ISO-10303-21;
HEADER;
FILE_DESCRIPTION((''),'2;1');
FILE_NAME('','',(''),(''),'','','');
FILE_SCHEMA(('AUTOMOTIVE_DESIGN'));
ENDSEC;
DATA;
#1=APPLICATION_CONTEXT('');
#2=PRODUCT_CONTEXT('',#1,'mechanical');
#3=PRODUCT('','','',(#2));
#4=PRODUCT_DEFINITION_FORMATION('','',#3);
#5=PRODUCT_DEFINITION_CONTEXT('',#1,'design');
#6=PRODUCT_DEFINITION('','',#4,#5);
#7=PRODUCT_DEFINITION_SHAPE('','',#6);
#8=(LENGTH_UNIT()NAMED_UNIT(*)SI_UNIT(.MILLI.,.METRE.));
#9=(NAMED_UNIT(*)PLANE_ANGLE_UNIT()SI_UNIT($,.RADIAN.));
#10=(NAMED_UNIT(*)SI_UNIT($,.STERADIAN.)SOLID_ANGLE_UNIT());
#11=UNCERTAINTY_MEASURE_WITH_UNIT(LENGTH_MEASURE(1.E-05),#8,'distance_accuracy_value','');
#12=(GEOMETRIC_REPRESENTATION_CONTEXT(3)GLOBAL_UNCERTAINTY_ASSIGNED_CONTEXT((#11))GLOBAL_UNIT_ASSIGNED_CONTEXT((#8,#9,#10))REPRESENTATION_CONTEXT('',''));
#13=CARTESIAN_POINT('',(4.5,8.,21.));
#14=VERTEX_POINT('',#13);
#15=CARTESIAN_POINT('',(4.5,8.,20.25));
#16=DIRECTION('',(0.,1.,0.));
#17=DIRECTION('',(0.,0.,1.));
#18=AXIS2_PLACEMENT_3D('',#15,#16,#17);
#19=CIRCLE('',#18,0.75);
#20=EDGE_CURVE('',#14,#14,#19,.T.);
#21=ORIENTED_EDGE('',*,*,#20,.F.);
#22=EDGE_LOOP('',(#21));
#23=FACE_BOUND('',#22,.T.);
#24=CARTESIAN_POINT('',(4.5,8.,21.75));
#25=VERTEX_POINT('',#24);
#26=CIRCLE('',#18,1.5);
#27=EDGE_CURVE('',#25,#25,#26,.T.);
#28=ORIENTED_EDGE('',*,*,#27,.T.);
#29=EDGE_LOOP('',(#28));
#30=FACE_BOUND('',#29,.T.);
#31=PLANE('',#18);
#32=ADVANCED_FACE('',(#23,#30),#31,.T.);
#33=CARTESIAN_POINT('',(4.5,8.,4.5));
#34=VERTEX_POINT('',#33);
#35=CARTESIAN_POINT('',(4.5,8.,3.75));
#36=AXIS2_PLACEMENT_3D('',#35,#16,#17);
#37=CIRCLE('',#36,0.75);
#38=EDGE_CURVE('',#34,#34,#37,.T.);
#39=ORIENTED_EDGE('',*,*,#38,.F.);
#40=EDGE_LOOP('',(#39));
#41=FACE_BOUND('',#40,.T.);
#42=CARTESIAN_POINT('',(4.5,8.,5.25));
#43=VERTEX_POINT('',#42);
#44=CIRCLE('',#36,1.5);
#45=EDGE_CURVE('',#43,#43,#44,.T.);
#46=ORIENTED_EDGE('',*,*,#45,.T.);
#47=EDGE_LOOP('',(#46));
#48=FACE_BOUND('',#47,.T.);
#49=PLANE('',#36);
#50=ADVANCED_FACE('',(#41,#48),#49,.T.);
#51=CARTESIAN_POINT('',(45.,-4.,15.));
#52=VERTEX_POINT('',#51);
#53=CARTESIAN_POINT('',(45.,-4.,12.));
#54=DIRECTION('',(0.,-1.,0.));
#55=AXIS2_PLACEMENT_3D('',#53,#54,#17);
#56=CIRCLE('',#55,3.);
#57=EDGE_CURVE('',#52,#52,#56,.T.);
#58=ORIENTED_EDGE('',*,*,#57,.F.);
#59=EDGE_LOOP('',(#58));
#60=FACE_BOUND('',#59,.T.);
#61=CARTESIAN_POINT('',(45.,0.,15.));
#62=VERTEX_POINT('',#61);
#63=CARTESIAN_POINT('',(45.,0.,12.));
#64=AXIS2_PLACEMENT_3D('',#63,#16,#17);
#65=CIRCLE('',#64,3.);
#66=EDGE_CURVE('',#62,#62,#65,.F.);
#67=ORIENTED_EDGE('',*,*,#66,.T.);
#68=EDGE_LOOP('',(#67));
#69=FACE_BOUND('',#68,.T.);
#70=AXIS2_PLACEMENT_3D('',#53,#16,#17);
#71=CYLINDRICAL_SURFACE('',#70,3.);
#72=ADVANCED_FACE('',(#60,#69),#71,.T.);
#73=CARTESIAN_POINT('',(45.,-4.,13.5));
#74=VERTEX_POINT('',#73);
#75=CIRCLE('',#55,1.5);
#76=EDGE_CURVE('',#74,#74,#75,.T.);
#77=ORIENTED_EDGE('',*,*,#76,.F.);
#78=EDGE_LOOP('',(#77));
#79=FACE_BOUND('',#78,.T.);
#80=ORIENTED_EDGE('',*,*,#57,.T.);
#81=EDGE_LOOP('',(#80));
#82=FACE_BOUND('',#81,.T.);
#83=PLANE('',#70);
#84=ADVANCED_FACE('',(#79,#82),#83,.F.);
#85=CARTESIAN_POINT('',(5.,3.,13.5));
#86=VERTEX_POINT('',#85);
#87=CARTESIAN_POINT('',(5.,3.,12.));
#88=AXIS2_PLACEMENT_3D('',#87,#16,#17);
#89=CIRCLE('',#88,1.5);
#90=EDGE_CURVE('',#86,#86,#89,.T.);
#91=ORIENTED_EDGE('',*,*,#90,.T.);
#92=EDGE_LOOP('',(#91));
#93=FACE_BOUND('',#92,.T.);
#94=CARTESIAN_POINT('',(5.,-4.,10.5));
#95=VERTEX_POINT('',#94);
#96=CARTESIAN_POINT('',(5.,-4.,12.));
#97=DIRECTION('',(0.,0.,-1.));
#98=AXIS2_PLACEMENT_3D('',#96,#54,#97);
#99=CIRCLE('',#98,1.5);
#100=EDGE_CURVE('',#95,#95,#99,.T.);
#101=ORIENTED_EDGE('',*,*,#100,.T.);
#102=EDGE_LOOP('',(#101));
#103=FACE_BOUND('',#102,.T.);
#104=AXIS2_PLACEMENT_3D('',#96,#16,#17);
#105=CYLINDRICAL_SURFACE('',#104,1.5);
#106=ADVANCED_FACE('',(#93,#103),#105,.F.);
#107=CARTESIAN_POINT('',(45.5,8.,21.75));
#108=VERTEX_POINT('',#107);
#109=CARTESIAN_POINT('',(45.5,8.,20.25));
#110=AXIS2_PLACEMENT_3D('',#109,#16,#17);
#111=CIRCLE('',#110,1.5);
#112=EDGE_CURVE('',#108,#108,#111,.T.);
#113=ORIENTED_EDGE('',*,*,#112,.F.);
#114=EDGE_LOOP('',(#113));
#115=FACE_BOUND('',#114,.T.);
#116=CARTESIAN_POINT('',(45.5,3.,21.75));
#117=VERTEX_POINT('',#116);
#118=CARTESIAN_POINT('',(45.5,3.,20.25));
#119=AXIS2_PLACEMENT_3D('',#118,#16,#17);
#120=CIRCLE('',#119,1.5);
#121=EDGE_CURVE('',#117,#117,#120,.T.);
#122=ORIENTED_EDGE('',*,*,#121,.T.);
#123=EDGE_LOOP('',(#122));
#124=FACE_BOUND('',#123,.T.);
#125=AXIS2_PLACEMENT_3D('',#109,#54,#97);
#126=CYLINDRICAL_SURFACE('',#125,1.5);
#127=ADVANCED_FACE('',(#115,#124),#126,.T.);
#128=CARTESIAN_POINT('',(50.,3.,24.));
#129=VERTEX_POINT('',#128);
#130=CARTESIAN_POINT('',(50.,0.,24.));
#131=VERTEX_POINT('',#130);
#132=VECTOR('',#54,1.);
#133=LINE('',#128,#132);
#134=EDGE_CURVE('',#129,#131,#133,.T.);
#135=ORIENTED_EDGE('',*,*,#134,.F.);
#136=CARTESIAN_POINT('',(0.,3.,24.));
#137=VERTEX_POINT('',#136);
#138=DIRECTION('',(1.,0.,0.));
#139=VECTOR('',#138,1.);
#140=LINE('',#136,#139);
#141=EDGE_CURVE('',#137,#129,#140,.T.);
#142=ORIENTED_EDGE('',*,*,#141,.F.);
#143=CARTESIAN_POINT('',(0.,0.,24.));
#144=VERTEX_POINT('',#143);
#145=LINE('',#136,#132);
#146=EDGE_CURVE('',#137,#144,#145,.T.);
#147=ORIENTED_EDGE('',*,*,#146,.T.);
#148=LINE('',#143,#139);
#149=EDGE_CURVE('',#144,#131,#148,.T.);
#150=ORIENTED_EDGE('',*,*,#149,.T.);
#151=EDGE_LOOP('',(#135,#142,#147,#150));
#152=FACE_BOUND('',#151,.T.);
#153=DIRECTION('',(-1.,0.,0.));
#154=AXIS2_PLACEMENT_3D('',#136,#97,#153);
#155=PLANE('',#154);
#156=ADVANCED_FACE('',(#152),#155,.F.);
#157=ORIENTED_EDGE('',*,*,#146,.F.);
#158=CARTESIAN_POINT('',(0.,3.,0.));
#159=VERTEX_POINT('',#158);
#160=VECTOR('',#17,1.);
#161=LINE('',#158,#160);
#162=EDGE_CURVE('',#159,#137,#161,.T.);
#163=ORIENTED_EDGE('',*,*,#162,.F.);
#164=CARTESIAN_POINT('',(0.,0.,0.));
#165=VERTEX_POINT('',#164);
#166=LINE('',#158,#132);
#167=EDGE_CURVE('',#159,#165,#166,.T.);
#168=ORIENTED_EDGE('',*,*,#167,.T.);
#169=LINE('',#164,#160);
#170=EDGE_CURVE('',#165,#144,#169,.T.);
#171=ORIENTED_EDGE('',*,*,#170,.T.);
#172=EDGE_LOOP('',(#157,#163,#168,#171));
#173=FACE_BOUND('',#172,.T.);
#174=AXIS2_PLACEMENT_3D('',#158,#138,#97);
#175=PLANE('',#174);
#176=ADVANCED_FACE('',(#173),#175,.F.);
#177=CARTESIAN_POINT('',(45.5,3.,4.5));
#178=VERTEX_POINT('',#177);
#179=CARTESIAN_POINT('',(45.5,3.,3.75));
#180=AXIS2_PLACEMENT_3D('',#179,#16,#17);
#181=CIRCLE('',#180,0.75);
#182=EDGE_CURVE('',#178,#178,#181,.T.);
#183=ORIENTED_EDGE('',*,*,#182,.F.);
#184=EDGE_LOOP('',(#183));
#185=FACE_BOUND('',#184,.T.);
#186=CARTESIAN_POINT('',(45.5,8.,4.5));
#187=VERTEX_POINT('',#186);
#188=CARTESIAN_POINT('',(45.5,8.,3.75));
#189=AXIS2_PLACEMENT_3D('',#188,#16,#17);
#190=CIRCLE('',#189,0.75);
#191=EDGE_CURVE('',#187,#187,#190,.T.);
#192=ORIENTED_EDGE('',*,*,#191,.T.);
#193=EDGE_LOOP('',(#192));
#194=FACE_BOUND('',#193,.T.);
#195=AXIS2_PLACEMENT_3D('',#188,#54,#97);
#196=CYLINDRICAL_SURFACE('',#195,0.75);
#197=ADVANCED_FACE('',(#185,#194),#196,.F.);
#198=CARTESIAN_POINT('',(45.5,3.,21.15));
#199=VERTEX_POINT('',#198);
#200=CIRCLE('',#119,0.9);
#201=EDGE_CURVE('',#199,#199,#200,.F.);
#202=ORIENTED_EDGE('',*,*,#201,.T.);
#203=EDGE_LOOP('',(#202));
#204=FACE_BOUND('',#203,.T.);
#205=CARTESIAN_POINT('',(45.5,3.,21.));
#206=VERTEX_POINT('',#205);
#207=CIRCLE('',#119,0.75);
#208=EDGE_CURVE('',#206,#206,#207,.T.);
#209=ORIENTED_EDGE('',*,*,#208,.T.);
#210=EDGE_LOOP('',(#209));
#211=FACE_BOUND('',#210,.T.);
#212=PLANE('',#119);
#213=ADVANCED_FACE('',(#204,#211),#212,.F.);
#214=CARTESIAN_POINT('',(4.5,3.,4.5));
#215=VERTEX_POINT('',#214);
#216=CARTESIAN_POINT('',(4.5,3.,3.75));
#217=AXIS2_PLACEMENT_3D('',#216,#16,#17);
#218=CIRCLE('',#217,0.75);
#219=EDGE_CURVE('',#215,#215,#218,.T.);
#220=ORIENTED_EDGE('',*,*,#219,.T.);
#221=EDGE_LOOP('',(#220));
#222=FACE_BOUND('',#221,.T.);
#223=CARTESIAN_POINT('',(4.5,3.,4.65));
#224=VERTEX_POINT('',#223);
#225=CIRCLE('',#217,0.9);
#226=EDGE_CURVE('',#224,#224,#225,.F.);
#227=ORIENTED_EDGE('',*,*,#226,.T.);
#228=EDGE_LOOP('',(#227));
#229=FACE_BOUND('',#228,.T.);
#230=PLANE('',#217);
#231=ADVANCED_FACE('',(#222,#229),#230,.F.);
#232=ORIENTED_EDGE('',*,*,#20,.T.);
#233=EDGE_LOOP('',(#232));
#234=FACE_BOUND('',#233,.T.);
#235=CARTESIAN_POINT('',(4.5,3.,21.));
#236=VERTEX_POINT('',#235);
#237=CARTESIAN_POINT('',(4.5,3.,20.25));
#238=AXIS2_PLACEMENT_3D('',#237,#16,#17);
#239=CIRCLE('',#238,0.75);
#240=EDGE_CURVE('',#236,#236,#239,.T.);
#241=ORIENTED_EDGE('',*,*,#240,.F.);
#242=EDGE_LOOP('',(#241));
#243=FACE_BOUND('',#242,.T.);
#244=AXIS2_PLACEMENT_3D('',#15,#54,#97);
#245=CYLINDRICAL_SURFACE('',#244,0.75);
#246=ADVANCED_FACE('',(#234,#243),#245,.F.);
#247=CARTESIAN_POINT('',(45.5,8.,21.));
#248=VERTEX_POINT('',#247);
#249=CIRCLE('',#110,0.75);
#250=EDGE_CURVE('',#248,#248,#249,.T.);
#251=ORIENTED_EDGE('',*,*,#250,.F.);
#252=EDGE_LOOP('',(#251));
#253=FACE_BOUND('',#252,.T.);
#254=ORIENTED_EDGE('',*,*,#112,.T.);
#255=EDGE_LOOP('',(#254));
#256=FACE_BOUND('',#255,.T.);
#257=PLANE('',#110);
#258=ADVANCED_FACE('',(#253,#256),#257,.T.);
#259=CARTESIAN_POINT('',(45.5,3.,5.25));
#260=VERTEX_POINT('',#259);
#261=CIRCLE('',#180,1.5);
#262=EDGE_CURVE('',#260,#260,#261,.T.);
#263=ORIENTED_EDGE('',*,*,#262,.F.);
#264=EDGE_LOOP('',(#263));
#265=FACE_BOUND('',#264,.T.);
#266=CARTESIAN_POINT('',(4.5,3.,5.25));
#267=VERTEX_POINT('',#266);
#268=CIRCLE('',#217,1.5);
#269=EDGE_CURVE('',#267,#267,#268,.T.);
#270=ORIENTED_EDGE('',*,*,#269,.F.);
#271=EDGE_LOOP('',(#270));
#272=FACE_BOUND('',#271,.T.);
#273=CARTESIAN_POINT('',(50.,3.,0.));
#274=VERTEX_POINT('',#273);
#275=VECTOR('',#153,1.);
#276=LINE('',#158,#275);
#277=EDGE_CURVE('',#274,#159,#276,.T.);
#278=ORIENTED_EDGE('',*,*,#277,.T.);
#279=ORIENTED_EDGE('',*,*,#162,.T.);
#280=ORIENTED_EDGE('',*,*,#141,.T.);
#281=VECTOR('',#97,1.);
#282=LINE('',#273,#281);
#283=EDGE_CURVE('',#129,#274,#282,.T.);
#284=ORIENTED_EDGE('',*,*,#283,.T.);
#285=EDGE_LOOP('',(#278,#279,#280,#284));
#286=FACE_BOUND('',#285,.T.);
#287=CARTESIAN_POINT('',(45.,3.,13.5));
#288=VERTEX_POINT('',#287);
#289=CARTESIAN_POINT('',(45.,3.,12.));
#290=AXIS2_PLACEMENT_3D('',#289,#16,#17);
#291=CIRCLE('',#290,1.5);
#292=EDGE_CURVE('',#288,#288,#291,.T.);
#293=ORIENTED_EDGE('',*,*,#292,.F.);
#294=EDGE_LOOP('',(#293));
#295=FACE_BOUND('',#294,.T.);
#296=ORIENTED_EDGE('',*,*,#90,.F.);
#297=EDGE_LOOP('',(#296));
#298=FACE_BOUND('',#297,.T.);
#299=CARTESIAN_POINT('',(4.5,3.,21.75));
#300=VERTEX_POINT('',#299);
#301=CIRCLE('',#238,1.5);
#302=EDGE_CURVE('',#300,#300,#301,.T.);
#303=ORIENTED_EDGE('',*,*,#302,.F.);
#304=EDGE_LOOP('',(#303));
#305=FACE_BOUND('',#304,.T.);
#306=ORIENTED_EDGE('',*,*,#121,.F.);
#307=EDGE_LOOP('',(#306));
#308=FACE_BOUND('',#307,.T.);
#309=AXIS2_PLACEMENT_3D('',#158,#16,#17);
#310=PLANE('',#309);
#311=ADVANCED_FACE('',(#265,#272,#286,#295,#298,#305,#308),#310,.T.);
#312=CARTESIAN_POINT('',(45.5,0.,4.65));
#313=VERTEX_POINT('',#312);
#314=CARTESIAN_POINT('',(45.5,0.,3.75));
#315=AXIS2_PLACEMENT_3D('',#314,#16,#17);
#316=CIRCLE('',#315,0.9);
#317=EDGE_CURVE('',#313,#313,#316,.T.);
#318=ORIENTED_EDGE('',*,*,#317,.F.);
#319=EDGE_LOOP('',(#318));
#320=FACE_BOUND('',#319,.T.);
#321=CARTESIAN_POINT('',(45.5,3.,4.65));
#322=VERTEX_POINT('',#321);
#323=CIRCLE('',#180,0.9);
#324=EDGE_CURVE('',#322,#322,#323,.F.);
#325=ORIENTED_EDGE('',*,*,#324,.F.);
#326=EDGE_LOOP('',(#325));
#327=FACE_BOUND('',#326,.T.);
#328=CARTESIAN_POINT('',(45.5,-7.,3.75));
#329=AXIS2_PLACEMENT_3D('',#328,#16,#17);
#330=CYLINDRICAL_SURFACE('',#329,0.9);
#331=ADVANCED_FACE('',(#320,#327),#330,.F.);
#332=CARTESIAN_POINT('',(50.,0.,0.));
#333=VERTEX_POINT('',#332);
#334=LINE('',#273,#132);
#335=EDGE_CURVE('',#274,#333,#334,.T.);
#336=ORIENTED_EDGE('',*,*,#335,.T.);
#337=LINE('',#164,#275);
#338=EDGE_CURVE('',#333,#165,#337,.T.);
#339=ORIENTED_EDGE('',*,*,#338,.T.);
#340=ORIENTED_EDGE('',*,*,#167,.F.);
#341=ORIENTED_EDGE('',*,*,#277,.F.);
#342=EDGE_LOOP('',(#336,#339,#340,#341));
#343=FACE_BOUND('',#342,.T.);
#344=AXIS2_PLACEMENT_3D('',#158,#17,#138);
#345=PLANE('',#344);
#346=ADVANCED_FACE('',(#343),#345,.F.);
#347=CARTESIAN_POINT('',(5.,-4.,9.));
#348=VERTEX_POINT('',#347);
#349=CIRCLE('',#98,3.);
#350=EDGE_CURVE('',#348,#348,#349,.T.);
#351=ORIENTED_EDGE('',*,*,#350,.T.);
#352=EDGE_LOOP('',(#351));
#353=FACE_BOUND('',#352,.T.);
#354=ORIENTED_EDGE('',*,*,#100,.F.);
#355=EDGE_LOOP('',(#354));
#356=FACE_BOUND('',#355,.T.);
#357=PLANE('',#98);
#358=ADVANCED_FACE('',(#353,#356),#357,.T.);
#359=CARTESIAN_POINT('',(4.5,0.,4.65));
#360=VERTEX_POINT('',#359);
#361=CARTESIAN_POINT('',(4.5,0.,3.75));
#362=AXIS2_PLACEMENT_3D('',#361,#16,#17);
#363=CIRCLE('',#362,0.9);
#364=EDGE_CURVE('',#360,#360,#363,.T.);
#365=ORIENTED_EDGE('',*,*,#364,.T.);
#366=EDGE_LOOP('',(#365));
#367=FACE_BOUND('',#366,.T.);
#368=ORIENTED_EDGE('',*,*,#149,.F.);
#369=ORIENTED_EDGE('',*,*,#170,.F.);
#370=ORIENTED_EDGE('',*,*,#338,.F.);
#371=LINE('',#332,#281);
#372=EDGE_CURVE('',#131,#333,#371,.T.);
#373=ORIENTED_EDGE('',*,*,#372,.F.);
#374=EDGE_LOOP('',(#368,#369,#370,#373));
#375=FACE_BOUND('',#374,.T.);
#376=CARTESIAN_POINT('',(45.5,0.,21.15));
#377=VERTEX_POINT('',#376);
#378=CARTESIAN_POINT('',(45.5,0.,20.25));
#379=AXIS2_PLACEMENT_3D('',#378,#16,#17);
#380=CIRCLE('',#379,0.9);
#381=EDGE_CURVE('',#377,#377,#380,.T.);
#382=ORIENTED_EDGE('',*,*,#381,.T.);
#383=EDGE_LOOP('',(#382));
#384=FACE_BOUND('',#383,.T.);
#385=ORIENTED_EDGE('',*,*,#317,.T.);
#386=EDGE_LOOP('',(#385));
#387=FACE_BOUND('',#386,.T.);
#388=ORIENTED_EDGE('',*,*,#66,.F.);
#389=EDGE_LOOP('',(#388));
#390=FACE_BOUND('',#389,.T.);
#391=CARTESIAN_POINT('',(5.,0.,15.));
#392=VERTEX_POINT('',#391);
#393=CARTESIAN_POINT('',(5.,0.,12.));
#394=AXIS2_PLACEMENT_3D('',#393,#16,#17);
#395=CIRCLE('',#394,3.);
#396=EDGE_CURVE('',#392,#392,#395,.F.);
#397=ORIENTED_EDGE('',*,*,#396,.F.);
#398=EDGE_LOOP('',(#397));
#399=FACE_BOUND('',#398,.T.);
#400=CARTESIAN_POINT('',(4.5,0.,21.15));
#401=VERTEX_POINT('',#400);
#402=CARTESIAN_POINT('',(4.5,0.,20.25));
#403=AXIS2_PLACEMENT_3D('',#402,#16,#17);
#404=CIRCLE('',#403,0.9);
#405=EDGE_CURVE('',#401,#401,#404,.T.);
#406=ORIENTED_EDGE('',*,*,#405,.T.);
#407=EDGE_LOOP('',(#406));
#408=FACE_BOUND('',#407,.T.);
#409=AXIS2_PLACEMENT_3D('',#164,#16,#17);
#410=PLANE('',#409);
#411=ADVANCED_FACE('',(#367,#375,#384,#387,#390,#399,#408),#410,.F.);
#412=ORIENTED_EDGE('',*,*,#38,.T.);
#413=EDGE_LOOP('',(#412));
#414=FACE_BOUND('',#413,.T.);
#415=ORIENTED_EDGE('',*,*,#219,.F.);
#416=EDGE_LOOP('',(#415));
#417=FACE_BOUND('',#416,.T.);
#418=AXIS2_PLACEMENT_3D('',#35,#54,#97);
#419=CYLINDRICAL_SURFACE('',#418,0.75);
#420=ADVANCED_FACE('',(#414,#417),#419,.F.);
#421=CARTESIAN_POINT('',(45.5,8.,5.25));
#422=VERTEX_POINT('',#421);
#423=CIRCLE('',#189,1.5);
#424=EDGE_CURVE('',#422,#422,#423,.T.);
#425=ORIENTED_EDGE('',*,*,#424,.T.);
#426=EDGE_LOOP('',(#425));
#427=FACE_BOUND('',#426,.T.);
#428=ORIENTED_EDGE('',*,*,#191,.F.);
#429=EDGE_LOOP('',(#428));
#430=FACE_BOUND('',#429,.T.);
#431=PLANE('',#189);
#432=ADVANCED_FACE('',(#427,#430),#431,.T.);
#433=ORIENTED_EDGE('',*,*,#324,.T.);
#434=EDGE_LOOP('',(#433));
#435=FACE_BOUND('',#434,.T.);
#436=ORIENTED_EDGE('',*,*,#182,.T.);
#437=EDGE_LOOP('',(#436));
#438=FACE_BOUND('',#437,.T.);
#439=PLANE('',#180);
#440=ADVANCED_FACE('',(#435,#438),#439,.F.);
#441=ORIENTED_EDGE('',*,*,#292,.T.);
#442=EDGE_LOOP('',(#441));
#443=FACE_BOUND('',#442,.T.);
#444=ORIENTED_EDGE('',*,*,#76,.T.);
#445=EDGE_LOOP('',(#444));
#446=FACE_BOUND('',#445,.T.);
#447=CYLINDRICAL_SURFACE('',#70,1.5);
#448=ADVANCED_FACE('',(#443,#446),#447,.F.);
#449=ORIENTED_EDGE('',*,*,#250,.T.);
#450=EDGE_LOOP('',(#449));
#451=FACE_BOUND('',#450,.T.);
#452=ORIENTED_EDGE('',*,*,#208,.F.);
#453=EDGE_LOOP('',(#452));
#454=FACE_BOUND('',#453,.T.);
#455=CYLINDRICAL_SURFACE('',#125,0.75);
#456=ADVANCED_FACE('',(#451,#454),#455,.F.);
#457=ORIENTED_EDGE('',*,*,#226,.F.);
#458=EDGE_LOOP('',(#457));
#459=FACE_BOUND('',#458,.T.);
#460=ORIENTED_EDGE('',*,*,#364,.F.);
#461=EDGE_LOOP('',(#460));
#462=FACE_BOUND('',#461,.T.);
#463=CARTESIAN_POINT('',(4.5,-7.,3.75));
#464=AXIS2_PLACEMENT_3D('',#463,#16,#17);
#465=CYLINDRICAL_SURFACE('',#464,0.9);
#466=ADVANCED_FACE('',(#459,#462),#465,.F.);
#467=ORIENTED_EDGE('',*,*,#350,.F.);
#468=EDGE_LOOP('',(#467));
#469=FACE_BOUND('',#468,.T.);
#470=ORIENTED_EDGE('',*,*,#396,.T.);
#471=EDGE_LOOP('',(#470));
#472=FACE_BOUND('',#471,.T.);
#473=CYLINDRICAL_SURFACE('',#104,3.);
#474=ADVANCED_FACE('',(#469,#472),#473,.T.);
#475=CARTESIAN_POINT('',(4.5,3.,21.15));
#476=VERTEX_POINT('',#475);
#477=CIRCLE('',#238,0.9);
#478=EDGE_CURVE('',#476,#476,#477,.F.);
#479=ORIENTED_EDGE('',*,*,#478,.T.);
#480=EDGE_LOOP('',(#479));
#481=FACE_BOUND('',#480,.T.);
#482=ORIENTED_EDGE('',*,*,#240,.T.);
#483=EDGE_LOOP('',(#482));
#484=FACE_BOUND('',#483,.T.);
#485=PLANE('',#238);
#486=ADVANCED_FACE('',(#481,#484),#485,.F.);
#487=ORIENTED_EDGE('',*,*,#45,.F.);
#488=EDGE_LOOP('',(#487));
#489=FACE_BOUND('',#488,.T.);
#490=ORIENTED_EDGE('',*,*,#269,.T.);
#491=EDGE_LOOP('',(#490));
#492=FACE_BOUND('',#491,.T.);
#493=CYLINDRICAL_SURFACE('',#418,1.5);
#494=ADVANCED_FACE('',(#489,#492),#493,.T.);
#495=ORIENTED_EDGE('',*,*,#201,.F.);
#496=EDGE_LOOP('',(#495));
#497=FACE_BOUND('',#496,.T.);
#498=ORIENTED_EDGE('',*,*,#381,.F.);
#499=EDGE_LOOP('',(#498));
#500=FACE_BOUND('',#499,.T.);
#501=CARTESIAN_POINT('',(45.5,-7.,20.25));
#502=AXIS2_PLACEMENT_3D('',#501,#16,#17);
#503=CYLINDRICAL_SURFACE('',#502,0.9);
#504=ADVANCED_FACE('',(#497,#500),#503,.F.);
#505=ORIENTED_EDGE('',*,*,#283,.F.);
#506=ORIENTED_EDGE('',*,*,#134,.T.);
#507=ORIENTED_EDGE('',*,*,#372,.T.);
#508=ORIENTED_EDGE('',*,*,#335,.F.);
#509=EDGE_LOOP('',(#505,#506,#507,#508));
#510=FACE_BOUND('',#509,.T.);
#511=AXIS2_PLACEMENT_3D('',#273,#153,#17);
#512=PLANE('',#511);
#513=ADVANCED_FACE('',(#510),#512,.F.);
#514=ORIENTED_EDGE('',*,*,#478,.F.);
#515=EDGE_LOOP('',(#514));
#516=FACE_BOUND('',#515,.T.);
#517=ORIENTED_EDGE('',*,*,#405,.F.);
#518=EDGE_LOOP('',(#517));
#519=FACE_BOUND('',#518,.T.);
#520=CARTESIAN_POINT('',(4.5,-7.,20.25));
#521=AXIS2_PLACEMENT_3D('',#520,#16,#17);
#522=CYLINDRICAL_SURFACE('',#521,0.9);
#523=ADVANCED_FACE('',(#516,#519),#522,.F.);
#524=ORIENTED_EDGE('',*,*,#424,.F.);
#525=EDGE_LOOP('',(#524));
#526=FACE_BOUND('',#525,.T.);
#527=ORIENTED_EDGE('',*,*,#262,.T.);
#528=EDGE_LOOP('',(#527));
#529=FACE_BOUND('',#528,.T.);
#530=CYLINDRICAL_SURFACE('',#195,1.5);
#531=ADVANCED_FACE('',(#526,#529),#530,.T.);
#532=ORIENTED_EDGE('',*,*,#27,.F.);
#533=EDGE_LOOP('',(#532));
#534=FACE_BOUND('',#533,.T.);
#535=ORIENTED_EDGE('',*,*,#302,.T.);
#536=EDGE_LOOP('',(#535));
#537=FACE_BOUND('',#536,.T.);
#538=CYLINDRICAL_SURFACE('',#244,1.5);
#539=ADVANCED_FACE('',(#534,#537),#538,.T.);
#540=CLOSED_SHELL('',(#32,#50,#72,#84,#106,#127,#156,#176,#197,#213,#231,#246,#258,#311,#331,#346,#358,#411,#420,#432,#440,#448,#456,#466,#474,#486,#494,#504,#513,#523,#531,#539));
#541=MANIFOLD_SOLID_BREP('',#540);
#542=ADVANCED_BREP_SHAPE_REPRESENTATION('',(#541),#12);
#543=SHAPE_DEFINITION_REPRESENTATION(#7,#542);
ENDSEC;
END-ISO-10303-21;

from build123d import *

# Parameters (mm, degrees)
SKETCH1_W           = 50
SKETCH1_H           = 24
BOSS_EXTRUDE1_DEPTH = 3
SKETCH2_R           = 3
SKETCH2_R_2         = 1.5
BOSS_EXTRUDE2_DEPTH = 4
SKETCH3_R           = 0.9
CUT_EXTRUDE1_DEPTH  = 10
SKETCH4_R           = 1.5
SKETCH4_R_2         = 0.75
BOSS_EXTRUDE3_DEPTH = 5
SKETCH5_R           = 1.5
CUT_EXTRUDE2_DEPTH  = 10


with BuildPart() as part:
    # Sketch1 → Boss-Extrude1 (new body)
    with BuildSketch(Plane(origin=(0, 0, 0), x_dir=(1, 0, 0), z_dir=(0, 1, 0))):
        with Locations((25, -12)):
            Rectangle(SKETCH1_W, SKETCH1_H)
    extrude(amount=BOSS_EXTRUDE1_DEPTH)

    # Sketch2 → Boss-Extrude2 (add)
    with BuildSketch(Plane.XZ):
        with Locations((5, 12)):
            Circle(SKETCH2_R)
        with Locations((5, 12)):
            Circle(SKETCH2_R_2, mode=Mode.SUBTRACT)
        with Locations((45, 12)):
            Circle(SKETCH2_R)
        with Locations((45, 12)):
            Circle(SKETCH2_R_2, mode=Mode.SUBTRACT)
    extrude(amount=BOSS_EXTRUDE2_DEPTH)

    # Sketch3 → Cut-Extrude1 (cut)
    with BuildSketch(Plane(origin=(0, 3, 0), x_dir=(1, 0, 0), z_dir=(0, 1, 0))):
        with Locations((4.5, -3.75)):
            Circle(SKETCH3_R)
        with Locations((45.5, -3.75)):
            Circle(SKETCH3_R)
        with Locations((45.5, -20.25)):
            Circle(SKETCH3_R)
        with Locations((4.5, -20.25)):
            Circle(SKETCH3_R)
    extrude(amount=-CUT_EXTRUDE1_DEPTH, mode=Mode.SUBTRACT)

    # Sketch4 → Boss-Extrude3 (add)
    with BuildSketch(Plane(origin=(0, 3, 0), x_dir=(1, 0, 0), z_dir=(0, 1, 0))):
        with Locations((4.5, -3.75)):
            Circle(SKETCH4_R)
        with Locations((4.5, -3.75)):
            Circle(SKETCH4_R_2, mode=Mode.SUBTRACT)
        with Locations((45.5, -3.75)):
            Circle(SKETCH4_R)
        with Locations((45.5, -3.75)):
            Circle(SKETCH4_R_2, mode=Mode.SUBTRACT)
        with Locations((4.5, -20.25)):
            Circle(SKETCH4_R)
        with Locations((4.5, -20.25)):
            Circle(SKETCH4_R_2, mode=Mode.SUBTRACT)
        with Locations((45.5, -20.25)):
            Circle(SKETCH4_R)
        with Locations((45.5, -20.25)):
            Circle(SKETCH4_R_2, mode=Mode.SUBTRACT)
    extrude(amount=BOSS_EXTRUDE3_DEPTH)

    # Sketch5 → Cut-Extrude2 (cut)
    with BuildSketch(Plane.XZ):
        with Locations((5, 12)):
            Circle(SKETCH5_R)
        with Locations((45, 12)):
            Circle(SKETCH5_R)
    extrude(amount=-CUT_EXTRUDE2_DEPTH, mode=Mode.SUBTRACT)


solid = part.part
